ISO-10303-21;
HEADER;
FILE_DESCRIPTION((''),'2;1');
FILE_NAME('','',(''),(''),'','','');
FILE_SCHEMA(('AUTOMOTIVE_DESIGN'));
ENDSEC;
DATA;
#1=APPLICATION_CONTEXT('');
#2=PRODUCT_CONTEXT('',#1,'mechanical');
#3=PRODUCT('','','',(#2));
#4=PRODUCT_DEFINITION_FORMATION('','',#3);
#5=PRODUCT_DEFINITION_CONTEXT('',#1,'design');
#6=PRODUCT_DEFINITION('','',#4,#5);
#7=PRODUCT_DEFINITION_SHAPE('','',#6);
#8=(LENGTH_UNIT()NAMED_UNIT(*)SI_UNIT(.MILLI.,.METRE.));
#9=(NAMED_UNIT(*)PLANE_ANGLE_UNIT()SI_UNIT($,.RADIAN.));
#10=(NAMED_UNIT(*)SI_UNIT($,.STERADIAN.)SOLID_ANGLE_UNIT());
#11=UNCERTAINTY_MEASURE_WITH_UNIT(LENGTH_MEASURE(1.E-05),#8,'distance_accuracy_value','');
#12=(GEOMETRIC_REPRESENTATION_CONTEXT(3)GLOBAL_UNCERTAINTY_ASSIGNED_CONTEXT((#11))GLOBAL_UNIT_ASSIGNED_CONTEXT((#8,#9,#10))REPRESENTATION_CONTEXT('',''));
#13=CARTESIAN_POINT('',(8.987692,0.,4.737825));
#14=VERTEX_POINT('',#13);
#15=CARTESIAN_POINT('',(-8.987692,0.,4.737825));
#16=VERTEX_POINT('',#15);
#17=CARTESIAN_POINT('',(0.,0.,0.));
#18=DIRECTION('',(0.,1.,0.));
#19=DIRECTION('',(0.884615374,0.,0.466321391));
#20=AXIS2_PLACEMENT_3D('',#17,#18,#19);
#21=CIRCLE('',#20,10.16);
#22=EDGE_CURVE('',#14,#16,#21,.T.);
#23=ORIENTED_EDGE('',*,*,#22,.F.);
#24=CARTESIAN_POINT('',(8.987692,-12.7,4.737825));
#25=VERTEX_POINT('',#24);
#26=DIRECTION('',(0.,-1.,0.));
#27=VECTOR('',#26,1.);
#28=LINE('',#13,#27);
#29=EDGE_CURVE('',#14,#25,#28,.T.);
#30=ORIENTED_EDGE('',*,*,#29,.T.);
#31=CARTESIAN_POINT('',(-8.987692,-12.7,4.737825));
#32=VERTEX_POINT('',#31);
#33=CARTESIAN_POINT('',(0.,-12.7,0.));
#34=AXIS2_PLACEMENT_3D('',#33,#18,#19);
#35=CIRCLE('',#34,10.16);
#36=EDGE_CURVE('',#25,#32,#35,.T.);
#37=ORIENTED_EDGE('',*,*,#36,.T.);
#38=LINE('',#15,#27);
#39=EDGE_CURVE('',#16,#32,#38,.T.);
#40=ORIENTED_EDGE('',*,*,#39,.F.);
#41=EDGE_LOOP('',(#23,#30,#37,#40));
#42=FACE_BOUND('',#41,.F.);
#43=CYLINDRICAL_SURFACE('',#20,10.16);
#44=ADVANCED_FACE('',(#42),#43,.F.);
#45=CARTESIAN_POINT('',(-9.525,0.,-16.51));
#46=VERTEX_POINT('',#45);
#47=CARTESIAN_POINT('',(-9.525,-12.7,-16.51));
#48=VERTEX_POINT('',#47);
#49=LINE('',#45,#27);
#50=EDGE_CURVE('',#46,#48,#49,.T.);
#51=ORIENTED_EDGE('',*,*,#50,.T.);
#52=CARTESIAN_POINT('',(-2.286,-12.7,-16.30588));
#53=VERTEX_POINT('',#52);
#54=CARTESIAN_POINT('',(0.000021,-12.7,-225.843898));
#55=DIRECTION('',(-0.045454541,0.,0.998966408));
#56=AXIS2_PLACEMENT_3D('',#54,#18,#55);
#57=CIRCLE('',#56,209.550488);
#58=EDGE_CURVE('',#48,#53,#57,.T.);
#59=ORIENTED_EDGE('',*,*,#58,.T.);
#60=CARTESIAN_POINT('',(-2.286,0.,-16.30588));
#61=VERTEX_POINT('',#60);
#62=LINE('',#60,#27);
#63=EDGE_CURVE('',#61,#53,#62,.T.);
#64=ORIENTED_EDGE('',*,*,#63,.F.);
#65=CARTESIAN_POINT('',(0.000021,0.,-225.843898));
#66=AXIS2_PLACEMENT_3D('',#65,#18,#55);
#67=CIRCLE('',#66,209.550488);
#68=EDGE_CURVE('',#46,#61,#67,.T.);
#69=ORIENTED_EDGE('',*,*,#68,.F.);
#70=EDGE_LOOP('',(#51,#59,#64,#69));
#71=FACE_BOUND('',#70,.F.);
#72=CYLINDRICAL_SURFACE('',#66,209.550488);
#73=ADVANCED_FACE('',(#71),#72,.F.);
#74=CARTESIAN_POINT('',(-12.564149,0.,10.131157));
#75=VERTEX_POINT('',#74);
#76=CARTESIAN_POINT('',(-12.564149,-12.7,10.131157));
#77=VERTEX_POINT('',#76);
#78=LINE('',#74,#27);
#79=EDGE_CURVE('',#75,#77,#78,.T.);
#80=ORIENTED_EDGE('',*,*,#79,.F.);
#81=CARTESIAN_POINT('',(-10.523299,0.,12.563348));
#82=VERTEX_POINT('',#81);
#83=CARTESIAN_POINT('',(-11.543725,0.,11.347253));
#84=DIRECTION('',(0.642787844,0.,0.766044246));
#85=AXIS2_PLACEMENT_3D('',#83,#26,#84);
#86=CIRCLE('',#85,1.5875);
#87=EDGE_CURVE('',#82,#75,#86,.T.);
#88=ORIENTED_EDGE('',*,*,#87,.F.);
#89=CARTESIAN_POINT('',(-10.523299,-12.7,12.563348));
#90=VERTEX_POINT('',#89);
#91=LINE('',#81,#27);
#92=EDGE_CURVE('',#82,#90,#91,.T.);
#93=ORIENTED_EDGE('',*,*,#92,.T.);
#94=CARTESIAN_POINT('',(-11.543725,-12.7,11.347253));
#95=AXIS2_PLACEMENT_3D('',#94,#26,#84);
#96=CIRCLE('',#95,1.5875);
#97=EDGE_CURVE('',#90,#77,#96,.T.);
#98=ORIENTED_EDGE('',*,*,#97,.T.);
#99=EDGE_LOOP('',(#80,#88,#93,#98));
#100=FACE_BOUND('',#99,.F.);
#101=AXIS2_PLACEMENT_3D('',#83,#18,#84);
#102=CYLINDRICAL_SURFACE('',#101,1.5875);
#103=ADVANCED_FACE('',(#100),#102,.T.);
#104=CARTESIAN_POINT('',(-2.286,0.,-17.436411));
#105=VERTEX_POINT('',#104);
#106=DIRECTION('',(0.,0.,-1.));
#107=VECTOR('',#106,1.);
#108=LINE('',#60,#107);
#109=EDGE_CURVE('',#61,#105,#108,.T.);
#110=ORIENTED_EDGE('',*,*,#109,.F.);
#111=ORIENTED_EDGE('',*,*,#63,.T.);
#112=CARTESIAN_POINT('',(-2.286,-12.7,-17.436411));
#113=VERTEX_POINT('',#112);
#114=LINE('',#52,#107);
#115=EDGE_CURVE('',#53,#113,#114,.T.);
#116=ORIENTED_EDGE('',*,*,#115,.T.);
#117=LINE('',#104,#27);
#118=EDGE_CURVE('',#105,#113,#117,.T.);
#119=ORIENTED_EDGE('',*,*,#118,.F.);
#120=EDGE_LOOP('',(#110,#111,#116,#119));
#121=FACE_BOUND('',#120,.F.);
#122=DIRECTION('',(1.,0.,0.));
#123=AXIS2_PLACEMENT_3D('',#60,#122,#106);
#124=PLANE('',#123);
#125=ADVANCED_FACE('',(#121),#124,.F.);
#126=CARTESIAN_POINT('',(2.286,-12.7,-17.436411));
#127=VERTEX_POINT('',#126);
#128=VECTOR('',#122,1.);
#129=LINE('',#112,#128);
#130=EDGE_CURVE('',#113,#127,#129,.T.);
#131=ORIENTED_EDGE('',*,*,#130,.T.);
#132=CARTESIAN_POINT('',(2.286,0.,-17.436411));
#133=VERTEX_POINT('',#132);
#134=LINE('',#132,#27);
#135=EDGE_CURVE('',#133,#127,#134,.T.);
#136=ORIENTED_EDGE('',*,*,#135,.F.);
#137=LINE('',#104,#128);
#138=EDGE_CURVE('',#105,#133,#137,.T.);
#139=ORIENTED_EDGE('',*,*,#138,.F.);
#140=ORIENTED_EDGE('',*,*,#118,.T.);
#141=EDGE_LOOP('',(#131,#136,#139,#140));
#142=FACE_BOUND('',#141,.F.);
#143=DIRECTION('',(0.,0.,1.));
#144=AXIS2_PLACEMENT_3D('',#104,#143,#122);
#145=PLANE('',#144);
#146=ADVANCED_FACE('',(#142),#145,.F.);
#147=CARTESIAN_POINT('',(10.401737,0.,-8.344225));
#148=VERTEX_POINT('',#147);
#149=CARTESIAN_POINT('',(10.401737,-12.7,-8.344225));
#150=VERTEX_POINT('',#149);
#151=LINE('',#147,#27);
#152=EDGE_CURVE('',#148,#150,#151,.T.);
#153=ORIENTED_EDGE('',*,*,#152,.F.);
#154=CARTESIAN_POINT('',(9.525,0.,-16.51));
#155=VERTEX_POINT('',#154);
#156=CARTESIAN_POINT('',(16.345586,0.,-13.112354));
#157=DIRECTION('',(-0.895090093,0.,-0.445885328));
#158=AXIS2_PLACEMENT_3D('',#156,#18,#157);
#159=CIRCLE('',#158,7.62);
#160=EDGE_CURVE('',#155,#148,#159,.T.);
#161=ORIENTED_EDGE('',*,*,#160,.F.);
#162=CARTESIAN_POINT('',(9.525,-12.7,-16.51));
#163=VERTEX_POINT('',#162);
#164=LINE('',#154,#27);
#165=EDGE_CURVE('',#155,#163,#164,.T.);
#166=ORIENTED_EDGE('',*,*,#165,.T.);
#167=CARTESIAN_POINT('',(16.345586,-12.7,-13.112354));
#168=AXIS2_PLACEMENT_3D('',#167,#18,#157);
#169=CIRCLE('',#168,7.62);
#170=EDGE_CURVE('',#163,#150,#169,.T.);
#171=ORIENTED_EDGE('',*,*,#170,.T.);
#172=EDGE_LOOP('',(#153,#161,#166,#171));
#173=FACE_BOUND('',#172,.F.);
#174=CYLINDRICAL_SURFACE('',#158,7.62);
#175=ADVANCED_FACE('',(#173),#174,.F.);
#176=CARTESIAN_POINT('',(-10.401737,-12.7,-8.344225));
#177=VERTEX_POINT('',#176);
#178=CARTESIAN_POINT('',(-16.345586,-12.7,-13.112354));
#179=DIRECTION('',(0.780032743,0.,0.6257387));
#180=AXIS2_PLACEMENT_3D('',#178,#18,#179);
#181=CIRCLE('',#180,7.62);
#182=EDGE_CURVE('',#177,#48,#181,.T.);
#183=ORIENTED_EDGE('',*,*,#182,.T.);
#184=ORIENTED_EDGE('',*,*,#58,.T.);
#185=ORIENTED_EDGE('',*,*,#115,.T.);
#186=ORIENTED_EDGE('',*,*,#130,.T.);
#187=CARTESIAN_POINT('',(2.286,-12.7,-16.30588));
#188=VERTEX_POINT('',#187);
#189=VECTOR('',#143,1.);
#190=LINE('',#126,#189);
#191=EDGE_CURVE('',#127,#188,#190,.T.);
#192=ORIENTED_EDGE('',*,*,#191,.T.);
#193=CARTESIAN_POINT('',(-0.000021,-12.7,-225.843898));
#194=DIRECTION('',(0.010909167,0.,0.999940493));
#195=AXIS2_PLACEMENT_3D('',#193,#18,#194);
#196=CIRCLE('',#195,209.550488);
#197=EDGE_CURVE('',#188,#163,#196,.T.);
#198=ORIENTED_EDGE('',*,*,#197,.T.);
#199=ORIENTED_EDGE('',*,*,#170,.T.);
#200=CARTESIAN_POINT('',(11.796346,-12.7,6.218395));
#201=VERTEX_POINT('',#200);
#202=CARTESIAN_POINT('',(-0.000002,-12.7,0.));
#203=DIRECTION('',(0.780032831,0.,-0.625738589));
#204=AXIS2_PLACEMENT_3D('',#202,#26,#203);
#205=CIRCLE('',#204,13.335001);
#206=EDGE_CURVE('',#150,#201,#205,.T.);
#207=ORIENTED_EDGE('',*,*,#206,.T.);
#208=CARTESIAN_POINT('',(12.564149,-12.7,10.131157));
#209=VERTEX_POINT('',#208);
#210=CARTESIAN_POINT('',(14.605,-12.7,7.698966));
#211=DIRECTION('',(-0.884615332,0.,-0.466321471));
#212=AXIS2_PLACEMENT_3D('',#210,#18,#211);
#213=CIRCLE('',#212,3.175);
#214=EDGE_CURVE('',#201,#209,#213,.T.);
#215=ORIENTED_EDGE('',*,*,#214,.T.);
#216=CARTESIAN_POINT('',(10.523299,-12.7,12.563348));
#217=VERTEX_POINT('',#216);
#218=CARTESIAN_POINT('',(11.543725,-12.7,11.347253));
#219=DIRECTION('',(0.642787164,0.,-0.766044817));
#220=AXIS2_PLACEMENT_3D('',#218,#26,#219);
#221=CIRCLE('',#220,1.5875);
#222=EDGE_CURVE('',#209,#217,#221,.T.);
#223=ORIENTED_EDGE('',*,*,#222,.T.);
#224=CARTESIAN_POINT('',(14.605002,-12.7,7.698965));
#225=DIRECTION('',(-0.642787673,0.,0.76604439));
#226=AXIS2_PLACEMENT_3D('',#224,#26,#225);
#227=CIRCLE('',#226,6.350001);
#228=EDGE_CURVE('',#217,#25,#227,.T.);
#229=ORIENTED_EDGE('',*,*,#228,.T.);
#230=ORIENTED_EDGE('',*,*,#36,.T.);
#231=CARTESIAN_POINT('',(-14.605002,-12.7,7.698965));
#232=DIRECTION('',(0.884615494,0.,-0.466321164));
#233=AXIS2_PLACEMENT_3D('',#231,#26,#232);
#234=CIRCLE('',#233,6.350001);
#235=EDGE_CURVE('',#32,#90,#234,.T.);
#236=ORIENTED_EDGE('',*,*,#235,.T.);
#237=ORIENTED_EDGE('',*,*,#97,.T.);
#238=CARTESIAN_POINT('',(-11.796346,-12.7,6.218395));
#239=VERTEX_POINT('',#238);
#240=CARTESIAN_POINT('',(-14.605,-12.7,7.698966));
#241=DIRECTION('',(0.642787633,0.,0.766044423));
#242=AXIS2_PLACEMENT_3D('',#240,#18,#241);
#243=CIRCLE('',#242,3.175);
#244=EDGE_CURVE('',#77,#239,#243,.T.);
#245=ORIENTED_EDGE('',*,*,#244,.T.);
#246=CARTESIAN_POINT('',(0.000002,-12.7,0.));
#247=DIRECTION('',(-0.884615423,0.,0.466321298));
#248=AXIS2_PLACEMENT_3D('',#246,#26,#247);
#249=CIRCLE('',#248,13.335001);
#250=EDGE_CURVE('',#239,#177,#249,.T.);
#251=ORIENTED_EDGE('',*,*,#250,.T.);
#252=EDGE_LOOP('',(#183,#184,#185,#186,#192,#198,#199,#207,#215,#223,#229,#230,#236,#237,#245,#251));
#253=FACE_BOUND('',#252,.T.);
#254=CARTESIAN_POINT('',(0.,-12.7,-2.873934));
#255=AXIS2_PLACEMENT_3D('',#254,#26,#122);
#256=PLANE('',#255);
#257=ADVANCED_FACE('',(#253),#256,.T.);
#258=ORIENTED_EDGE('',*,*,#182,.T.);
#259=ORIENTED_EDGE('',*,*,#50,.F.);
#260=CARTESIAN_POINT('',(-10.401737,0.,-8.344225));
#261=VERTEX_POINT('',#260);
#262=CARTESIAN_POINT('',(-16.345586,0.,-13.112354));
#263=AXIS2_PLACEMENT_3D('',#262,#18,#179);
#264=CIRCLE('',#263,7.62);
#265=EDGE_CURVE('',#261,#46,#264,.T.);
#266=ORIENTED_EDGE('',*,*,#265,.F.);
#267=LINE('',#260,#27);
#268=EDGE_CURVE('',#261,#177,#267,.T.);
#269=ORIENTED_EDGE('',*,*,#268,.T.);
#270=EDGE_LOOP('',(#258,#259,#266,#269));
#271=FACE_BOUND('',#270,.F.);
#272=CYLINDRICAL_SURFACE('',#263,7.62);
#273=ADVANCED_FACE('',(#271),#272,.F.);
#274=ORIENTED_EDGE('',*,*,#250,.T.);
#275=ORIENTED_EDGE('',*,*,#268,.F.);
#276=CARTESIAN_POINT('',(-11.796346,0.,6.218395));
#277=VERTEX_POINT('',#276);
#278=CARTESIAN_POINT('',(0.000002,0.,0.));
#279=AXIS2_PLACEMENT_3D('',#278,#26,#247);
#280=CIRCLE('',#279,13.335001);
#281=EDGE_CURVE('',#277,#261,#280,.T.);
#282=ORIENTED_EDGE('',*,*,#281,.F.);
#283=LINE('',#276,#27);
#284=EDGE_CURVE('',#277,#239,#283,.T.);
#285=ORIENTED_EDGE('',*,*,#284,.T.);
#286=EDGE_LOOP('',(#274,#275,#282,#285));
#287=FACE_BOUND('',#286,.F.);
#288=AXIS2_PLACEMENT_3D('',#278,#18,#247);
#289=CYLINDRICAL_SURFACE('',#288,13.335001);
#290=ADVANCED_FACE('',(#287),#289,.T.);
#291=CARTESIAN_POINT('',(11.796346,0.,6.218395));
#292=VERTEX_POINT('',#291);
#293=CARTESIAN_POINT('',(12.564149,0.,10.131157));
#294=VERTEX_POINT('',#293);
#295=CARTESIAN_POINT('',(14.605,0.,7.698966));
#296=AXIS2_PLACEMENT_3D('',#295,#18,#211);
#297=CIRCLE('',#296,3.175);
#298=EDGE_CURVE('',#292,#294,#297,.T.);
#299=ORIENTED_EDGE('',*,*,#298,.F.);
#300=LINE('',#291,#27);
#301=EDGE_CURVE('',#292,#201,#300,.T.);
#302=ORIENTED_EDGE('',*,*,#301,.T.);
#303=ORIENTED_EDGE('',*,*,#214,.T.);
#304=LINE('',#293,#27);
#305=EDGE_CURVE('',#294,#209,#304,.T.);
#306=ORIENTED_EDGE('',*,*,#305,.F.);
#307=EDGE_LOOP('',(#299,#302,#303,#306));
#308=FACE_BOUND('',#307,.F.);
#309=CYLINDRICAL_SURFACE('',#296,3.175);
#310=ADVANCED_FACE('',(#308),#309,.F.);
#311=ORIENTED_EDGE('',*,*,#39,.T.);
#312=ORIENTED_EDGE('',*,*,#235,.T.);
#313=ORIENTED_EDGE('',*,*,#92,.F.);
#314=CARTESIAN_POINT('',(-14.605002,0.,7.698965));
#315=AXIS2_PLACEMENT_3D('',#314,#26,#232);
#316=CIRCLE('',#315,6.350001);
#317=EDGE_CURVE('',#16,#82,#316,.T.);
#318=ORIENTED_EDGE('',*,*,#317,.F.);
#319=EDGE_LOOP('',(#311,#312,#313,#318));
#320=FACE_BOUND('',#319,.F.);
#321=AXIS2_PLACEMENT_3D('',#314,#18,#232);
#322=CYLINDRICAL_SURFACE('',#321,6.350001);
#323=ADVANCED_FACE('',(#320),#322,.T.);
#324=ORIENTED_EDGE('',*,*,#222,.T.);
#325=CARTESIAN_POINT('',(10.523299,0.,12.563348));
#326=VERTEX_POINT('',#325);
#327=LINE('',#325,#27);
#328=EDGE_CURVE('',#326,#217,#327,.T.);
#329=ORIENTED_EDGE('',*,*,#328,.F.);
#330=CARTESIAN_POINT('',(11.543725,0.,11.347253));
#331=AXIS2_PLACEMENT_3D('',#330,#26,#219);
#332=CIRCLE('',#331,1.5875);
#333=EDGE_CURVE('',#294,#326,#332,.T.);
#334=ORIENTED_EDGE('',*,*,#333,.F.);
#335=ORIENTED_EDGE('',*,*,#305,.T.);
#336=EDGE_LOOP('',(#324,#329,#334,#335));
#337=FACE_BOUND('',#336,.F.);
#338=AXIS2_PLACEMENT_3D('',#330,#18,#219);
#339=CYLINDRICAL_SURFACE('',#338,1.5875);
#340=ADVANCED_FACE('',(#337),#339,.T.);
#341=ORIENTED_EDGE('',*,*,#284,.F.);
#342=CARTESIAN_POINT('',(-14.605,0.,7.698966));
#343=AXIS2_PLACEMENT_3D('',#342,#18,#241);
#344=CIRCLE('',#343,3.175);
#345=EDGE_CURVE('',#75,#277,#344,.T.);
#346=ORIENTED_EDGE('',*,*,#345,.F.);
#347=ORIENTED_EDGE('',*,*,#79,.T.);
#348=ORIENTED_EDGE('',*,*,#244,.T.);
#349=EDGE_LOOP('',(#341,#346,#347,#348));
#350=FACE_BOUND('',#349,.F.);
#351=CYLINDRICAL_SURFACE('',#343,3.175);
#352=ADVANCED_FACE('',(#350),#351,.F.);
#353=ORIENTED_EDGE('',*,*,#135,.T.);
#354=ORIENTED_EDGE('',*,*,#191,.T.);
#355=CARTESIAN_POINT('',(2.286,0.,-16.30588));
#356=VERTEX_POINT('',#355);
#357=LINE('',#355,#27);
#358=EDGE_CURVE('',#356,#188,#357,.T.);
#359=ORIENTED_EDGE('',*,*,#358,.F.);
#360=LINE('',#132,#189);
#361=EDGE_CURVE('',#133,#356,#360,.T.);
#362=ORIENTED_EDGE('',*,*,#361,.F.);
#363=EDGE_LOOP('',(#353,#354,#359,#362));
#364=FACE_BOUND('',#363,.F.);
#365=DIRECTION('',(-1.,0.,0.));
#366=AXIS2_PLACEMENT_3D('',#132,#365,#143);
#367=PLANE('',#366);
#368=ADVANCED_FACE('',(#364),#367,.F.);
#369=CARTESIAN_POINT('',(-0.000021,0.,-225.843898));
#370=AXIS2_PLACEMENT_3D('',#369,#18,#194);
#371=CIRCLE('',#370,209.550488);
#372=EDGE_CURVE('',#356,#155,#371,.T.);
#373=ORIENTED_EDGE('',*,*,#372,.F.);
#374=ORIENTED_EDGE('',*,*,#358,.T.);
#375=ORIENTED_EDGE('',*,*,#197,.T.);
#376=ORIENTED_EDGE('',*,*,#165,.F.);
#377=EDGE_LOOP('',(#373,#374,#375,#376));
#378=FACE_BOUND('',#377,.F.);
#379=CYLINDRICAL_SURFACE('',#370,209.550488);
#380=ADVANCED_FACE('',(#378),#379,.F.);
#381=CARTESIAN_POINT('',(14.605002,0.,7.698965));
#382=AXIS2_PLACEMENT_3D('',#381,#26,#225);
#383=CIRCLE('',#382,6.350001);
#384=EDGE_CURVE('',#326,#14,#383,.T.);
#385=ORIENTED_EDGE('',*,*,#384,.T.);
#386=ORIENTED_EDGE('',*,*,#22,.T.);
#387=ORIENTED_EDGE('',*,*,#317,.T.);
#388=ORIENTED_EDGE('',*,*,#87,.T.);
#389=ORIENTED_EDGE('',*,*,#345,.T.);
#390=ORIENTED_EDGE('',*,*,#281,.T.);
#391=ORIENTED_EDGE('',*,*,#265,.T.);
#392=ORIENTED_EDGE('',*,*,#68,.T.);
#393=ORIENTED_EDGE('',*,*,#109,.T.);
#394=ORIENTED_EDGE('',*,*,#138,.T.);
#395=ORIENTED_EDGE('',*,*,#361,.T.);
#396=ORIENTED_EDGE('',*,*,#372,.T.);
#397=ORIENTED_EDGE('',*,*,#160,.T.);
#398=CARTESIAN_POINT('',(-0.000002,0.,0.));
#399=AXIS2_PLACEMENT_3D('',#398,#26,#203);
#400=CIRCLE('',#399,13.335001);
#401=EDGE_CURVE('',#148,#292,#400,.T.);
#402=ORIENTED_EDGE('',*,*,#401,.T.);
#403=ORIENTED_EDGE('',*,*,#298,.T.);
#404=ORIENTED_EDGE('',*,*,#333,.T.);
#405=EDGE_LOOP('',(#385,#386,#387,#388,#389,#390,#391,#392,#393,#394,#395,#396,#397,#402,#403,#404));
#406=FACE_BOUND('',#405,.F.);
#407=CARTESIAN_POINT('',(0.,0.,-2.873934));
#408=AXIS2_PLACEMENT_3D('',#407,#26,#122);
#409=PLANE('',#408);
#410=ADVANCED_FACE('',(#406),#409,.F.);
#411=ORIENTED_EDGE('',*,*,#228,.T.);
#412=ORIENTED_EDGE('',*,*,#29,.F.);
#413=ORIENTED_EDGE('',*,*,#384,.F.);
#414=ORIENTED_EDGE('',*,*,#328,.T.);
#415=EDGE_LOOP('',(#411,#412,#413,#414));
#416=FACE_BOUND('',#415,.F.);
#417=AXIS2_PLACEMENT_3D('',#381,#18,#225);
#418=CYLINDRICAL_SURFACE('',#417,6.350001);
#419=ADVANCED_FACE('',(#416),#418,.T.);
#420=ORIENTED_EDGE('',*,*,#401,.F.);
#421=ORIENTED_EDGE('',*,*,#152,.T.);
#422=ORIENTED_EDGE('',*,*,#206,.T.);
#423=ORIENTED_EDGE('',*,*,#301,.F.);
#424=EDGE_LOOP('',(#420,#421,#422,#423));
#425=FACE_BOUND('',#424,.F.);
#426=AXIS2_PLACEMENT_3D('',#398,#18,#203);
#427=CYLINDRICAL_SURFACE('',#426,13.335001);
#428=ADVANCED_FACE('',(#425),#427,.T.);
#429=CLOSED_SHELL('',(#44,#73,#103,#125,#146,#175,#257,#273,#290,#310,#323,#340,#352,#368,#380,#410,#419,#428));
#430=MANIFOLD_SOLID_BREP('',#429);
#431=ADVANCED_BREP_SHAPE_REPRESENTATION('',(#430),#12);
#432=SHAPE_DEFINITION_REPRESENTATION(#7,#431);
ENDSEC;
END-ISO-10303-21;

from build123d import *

# Parameters (mm, degrees)
F1_DEPTH = 12.7


with BuildPart() as f1:
    # F0 (on Front) → F1 (new body)
    with BuildSketch(Plane.XZ):
        with BuildLine():
            ThreePointArc((8.987692, 4.737825), (0, -10.16), (-8.987692, 4.737825))
            ThreePointArc((-8.987692, 4.737825), (-8.373837, 8.92171), (-10.523299, 12.563348))
            ThreePointArc((-10.523299, 12.563348), (-12.75982, 12.367678), (-12.564149, 10.131157))
            ThreePointArc((-12.564149, 10.131157), (-11.489418, 8.310338), (-11.796346, 6.218395))
            ThreePointArc((-11.796346, 6.218395), (-13.274268, -1.271228), (-10.401737, -8.344225))
            ThreePointArc((-10.401737, -8.344225), (-8.769131, -12.298891), (-9.525, -16.51))
            ThreePointArc((-9.525, -16.51), (-5.906382, -16.376666), (-2.286, -16.30588))
            Line((-2.286, -16.30588), (-2.286, -17.436411))
            Line((-2.286, -17.436411), (2.286, -17.436411))
            Line((2.286, -17.436411), (2.286, -16.30588))
            ThreePointArc((2.286, -16.30588), (5.906382, -16.376666), (9.525, -16.51))
            ThreePointArc((9.525, -16.51), (8.769131, -12.298891), (10.401737, -8.344225))
            ThreePointArc((10.401737, -8.344225), (13.274268, -1.271228), (11.796346, 6.218395))
            ThreePointArc((11.796346, 6.218395), (11.489418, 8.310338), (12.564149, 10.131157))
            ThreePointArc((12.564149, 10.131157), (12.75982, 12.367678), (10.523299, 12.563348))
            ThreePointArc((10.523299, 12.563348), (8.373837, 8.92171), (8.987692, 4.737825))
        make_face()
    extrude(amount=F1_DEPTH)


solid = f1.part
